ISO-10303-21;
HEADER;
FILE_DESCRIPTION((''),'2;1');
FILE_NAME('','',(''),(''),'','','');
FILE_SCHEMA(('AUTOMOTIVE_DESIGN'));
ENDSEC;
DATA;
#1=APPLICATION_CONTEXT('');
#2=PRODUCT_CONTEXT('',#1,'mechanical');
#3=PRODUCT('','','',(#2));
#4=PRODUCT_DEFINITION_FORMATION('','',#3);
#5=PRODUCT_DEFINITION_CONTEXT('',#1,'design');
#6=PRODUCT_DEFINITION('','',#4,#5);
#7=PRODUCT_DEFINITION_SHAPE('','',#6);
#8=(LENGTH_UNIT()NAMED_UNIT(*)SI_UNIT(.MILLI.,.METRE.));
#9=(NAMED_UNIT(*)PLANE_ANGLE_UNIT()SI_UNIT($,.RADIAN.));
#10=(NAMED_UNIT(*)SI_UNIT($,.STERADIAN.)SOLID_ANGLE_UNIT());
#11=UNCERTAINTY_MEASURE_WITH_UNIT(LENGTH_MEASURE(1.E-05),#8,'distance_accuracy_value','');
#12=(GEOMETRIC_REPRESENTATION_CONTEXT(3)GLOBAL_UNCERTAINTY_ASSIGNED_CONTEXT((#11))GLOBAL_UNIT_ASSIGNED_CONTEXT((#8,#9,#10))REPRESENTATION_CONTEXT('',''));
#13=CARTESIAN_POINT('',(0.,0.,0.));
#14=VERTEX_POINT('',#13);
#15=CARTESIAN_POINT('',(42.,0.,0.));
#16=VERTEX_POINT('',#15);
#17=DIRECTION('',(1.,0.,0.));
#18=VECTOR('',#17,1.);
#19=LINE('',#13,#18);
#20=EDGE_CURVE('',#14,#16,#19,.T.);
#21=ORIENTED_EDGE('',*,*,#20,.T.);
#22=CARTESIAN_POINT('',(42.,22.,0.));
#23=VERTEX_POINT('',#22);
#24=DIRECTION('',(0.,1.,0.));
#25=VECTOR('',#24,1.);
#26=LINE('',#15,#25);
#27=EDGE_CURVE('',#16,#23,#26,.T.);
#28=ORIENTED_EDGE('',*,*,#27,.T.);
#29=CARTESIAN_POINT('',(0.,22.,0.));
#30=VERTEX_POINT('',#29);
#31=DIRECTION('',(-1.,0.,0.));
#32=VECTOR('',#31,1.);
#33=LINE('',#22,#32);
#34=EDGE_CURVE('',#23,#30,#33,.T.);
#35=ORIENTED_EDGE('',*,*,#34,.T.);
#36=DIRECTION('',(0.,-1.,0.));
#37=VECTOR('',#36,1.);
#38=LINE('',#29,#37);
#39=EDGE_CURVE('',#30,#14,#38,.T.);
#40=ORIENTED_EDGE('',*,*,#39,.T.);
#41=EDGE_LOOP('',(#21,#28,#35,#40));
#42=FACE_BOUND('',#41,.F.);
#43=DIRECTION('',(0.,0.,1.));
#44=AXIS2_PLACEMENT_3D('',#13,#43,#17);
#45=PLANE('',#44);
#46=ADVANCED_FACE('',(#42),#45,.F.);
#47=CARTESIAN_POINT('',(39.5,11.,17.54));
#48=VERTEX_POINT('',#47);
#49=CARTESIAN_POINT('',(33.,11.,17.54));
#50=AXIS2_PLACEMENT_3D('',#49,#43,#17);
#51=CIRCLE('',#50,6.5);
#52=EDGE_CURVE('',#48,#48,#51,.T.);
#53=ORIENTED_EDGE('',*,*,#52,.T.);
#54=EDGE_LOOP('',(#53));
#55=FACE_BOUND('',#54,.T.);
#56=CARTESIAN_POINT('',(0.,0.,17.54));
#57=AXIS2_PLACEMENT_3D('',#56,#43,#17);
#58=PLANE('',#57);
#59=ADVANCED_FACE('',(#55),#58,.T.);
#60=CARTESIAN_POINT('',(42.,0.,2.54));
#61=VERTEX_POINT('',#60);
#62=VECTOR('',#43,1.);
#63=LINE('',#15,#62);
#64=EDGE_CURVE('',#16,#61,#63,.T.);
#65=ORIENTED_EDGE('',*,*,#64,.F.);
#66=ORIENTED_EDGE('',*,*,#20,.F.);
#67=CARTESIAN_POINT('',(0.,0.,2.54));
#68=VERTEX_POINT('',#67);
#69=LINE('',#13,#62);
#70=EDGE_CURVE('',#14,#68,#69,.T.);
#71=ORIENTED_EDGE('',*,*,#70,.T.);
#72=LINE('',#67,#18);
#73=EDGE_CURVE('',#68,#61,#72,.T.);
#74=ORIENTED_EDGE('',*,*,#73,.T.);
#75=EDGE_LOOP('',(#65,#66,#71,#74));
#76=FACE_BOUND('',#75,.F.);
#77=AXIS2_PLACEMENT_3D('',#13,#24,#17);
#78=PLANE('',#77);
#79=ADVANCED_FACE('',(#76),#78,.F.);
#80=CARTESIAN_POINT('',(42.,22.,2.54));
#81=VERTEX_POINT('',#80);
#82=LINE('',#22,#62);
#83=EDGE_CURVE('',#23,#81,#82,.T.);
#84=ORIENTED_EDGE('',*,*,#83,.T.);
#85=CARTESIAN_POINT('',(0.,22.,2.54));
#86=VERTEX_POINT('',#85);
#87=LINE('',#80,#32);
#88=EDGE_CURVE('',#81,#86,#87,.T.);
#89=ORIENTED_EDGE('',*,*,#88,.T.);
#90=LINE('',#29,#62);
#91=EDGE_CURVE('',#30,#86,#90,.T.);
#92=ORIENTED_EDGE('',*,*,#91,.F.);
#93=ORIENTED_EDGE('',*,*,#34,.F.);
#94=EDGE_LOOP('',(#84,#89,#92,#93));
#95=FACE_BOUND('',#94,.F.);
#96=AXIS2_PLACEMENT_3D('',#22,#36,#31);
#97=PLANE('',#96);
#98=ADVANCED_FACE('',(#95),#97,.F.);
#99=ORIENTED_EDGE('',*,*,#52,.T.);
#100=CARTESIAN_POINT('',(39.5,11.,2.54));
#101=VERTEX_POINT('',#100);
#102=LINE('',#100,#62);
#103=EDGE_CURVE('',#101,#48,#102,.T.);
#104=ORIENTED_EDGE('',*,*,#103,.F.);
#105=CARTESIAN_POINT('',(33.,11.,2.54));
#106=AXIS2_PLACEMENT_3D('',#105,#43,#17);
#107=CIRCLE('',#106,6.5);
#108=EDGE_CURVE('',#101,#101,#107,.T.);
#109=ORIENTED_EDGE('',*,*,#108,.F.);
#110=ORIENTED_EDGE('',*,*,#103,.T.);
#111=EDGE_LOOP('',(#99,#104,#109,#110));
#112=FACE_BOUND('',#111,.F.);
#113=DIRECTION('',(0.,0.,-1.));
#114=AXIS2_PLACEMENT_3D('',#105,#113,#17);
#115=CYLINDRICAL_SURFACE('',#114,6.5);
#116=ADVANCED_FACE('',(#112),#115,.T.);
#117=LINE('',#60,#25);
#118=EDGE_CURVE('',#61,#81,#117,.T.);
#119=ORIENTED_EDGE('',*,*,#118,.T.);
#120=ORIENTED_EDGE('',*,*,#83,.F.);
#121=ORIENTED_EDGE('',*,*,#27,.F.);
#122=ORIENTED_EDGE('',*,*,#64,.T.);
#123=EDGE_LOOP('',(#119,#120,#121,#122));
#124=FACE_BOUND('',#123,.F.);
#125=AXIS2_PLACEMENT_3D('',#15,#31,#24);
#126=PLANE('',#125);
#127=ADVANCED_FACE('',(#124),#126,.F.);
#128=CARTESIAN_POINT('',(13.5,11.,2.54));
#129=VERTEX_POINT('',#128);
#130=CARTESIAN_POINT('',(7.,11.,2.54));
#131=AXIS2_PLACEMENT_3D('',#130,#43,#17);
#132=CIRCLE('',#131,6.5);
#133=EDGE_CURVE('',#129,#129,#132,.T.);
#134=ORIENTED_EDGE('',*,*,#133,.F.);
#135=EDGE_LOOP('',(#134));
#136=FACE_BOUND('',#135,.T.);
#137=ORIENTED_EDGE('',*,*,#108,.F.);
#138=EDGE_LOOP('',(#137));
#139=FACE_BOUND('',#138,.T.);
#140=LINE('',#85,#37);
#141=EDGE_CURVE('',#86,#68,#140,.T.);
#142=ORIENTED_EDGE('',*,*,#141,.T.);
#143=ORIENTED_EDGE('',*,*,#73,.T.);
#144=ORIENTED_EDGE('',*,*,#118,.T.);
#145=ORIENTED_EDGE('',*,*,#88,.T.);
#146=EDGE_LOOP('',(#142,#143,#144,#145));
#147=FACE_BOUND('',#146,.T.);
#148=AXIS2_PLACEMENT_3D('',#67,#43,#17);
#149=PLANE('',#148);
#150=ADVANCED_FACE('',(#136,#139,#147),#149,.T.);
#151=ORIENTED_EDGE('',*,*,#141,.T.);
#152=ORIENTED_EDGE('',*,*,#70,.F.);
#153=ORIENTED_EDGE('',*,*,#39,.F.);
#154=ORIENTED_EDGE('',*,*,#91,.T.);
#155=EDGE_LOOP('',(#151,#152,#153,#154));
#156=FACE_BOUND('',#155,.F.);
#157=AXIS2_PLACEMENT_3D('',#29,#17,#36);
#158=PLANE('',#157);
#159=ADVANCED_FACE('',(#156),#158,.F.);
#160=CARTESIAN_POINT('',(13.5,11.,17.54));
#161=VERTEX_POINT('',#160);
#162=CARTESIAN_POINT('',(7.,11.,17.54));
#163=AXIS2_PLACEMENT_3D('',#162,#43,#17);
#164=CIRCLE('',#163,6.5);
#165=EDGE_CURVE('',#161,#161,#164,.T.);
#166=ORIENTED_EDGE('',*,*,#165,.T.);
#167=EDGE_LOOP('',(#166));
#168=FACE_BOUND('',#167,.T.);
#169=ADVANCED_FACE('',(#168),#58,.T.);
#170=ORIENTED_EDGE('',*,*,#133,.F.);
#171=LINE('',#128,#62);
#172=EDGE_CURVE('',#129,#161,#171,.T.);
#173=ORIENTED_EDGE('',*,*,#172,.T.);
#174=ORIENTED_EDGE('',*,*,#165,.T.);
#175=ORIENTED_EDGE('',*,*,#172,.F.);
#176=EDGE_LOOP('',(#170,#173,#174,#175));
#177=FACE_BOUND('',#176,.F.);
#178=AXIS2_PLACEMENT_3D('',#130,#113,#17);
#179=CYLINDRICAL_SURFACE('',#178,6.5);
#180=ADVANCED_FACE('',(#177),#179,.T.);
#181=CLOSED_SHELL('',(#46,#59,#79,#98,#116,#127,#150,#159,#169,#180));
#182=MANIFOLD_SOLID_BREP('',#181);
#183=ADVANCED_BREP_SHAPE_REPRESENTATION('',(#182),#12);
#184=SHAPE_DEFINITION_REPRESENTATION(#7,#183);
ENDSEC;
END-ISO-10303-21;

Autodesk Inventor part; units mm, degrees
ref_plane "YZ Plane" through (0, 0, 0) normal (1, 0, 0) x (0, 1, 0)
ref_plane "XZ Plane" through (0, 0, 0) normal (0, 1, 0) x (-1, 0, 0)
ref_plane "XY Plane" through (0, 0, 0) normal (0, 0, 1) x (1, 0, 0)
sketch "Sketch1" plane through (0, 0, 0) normal (0, 0, 1) x (1, 0, 0)
  point P0 (0, 0)
sketch "Sketch2" plane through (0, 0, 0) normal (0, 0, 1) x (1, 0, 0)
  line L0 (0, 0) -> (42, 0)
  line L1 (42, 0) -> (42, 22)
  line L2 (42, 22) -> (0, 22)
  line L3 (0, 22) -> (0, 0)
  dimension "d0" = 42
  dimension "d1" = 22
extrude "Extrusion1" add sketch "Sketch2" along normal blind 2.54
sketch "Sketch3" plane through (0, 0, 2.54) normal (0, 0, 1) x (1, 0, 0)
  circle A0 centre (7, 11) radius 6.5
  circle A1 centre (33, 11) radius 6.5
  line L0 (0, 22) -> (0, 0) projected
  line L1 (42, 0) -> (42, 22) projected
  dimension "d4" = 13
  dimension "d5" = 13
  dimension "d6" = 7
  dimension "d7" = 9
extrude "Extrusion2" add sketch "Sketch3" along normal blind 15
properties part number "Ultrasonic Sensor"
